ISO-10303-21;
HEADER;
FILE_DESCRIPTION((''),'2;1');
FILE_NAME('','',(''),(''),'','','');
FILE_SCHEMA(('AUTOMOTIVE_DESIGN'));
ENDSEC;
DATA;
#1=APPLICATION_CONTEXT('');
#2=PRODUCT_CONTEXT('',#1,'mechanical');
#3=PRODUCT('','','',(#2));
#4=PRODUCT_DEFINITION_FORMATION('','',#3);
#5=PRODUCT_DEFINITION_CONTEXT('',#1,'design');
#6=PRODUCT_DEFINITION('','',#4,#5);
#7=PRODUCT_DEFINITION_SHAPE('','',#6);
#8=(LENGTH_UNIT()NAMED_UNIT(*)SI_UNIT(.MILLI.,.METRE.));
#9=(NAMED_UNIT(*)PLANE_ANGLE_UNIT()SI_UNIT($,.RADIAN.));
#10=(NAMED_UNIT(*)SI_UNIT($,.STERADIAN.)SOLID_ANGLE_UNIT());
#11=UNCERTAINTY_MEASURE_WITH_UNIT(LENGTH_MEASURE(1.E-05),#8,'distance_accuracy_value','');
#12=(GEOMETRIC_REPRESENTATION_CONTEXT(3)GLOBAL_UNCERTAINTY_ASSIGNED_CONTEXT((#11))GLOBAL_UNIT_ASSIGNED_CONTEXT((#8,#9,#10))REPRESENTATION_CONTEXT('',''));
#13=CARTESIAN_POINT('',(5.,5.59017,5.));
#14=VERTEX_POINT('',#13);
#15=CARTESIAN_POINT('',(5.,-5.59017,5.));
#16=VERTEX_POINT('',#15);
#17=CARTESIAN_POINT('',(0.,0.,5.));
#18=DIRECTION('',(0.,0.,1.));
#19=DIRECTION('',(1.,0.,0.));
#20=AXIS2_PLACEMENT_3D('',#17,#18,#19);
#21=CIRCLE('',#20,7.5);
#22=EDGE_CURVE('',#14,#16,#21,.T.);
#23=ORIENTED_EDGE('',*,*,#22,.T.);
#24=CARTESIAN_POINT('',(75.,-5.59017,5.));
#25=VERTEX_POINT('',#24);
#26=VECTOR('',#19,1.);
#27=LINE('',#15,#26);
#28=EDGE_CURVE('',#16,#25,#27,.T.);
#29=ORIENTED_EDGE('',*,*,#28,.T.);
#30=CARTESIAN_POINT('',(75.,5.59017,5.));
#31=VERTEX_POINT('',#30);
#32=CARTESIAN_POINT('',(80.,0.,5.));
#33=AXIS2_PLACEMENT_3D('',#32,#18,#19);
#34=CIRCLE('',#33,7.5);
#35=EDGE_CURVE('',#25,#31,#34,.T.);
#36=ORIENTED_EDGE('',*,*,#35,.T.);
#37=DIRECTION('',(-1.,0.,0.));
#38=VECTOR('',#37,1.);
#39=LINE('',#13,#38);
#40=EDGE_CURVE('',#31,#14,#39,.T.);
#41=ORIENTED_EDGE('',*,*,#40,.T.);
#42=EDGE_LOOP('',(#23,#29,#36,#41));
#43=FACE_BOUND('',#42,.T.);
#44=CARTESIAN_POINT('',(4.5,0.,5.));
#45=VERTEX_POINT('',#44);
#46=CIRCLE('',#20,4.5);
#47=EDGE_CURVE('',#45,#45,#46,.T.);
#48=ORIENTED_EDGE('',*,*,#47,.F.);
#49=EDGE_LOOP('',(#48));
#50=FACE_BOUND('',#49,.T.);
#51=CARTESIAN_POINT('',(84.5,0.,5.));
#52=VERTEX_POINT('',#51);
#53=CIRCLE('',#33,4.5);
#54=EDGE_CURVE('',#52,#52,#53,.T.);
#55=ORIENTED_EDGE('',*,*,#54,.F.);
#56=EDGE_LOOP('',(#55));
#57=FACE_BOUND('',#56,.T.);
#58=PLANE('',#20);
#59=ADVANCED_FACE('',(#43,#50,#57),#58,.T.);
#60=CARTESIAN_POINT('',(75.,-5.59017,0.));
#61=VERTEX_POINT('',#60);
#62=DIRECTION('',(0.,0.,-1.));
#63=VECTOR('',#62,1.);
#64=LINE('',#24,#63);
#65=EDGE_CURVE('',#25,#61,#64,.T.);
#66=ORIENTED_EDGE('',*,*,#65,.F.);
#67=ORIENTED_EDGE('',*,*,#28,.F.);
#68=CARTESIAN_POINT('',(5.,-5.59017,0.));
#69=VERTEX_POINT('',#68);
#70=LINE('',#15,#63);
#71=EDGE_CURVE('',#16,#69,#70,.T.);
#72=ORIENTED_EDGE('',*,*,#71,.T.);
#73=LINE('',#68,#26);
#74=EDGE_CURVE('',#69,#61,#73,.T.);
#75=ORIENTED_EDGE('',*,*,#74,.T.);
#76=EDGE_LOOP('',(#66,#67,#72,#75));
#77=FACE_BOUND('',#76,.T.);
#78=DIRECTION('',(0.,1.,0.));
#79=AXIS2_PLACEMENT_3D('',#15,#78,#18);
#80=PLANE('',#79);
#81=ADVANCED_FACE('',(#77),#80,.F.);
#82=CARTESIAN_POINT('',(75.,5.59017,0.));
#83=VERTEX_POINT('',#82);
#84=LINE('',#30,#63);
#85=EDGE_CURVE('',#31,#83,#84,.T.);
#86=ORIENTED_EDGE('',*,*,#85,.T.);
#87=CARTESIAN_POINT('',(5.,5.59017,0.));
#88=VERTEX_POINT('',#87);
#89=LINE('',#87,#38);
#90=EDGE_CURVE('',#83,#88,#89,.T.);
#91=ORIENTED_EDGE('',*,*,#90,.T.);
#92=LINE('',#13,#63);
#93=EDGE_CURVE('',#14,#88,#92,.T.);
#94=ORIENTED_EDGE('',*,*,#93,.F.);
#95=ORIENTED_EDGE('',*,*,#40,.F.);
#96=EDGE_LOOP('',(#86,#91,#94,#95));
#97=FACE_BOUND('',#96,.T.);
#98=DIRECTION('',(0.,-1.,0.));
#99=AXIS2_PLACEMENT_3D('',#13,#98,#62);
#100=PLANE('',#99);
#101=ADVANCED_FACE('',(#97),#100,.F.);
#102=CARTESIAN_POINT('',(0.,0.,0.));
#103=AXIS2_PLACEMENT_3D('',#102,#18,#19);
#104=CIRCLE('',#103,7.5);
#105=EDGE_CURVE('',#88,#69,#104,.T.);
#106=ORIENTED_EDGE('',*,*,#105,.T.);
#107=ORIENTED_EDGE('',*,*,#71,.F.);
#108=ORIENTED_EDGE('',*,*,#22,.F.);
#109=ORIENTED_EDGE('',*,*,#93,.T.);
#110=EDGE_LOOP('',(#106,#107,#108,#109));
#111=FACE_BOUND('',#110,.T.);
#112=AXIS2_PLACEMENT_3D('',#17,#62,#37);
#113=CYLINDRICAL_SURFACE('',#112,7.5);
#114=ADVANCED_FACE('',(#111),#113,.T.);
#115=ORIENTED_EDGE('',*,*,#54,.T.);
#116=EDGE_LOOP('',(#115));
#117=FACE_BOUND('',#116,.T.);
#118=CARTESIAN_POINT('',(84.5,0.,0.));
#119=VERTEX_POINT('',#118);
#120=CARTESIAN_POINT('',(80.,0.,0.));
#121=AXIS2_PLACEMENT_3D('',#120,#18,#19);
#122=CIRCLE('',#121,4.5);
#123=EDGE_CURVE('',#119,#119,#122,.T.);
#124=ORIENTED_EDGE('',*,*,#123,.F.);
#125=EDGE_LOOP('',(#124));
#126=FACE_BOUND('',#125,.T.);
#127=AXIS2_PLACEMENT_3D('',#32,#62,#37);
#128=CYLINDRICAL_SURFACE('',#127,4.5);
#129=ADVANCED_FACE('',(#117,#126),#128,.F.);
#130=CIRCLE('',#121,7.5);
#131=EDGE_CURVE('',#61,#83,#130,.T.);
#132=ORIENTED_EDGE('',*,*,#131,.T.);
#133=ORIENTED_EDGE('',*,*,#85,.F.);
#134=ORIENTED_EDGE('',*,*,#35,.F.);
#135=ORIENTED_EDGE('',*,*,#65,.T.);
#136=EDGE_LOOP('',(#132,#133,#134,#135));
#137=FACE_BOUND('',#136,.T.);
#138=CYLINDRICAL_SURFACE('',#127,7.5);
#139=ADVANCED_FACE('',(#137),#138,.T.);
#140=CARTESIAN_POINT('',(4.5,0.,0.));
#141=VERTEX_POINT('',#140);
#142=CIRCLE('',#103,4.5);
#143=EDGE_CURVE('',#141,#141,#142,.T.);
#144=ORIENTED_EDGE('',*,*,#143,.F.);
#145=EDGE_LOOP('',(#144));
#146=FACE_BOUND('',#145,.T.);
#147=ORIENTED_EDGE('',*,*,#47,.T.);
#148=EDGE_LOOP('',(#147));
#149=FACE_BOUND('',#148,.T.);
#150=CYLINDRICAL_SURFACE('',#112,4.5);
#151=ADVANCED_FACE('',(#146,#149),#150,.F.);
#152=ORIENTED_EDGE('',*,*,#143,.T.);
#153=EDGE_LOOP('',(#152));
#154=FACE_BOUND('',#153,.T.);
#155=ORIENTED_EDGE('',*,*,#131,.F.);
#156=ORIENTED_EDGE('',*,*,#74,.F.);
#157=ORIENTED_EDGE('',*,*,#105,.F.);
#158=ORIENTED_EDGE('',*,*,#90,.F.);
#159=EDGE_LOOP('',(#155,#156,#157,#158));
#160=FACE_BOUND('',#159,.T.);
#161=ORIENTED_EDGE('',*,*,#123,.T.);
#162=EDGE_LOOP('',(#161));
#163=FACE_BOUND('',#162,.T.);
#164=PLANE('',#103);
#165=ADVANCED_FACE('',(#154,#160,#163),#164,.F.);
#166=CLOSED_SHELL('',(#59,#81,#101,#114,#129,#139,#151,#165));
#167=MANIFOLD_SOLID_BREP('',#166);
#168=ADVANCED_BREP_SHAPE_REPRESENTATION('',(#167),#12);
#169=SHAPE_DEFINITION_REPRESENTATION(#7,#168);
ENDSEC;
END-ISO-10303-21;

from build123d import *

# Parameters (mm, degrees)
SKETCH_1_R      = 4.5
EXTRUDE_1_DEPTH = 5


with BuildPart() as part:
    # 스케치1 → 보스-돌출1 (new body)
    with BuildSketch(Plane.XY):
        with BuildLine():
            Line((5, 5.590169944), (75, 5.590169944))
            ThreePointArc((75, 5.590169944), (87.5, 0), (75, -5.590169944))
            Line((75, -5.590169944), (5, -5.590169944))
            ThreePointArc((5, -5.590169944), (-7.5, 0), (5, 5.590169944))
        make_face()
        Circle(SKETCH_1_R, mode=Mode.SUBTRACT)
        with Locations((80, 0)):
            Circle(SKETCH_1_R, mode=Mode.SUBTRACT)
    extrude(amount=EXTRUDE_1_DEPTH)


solid = part.part
